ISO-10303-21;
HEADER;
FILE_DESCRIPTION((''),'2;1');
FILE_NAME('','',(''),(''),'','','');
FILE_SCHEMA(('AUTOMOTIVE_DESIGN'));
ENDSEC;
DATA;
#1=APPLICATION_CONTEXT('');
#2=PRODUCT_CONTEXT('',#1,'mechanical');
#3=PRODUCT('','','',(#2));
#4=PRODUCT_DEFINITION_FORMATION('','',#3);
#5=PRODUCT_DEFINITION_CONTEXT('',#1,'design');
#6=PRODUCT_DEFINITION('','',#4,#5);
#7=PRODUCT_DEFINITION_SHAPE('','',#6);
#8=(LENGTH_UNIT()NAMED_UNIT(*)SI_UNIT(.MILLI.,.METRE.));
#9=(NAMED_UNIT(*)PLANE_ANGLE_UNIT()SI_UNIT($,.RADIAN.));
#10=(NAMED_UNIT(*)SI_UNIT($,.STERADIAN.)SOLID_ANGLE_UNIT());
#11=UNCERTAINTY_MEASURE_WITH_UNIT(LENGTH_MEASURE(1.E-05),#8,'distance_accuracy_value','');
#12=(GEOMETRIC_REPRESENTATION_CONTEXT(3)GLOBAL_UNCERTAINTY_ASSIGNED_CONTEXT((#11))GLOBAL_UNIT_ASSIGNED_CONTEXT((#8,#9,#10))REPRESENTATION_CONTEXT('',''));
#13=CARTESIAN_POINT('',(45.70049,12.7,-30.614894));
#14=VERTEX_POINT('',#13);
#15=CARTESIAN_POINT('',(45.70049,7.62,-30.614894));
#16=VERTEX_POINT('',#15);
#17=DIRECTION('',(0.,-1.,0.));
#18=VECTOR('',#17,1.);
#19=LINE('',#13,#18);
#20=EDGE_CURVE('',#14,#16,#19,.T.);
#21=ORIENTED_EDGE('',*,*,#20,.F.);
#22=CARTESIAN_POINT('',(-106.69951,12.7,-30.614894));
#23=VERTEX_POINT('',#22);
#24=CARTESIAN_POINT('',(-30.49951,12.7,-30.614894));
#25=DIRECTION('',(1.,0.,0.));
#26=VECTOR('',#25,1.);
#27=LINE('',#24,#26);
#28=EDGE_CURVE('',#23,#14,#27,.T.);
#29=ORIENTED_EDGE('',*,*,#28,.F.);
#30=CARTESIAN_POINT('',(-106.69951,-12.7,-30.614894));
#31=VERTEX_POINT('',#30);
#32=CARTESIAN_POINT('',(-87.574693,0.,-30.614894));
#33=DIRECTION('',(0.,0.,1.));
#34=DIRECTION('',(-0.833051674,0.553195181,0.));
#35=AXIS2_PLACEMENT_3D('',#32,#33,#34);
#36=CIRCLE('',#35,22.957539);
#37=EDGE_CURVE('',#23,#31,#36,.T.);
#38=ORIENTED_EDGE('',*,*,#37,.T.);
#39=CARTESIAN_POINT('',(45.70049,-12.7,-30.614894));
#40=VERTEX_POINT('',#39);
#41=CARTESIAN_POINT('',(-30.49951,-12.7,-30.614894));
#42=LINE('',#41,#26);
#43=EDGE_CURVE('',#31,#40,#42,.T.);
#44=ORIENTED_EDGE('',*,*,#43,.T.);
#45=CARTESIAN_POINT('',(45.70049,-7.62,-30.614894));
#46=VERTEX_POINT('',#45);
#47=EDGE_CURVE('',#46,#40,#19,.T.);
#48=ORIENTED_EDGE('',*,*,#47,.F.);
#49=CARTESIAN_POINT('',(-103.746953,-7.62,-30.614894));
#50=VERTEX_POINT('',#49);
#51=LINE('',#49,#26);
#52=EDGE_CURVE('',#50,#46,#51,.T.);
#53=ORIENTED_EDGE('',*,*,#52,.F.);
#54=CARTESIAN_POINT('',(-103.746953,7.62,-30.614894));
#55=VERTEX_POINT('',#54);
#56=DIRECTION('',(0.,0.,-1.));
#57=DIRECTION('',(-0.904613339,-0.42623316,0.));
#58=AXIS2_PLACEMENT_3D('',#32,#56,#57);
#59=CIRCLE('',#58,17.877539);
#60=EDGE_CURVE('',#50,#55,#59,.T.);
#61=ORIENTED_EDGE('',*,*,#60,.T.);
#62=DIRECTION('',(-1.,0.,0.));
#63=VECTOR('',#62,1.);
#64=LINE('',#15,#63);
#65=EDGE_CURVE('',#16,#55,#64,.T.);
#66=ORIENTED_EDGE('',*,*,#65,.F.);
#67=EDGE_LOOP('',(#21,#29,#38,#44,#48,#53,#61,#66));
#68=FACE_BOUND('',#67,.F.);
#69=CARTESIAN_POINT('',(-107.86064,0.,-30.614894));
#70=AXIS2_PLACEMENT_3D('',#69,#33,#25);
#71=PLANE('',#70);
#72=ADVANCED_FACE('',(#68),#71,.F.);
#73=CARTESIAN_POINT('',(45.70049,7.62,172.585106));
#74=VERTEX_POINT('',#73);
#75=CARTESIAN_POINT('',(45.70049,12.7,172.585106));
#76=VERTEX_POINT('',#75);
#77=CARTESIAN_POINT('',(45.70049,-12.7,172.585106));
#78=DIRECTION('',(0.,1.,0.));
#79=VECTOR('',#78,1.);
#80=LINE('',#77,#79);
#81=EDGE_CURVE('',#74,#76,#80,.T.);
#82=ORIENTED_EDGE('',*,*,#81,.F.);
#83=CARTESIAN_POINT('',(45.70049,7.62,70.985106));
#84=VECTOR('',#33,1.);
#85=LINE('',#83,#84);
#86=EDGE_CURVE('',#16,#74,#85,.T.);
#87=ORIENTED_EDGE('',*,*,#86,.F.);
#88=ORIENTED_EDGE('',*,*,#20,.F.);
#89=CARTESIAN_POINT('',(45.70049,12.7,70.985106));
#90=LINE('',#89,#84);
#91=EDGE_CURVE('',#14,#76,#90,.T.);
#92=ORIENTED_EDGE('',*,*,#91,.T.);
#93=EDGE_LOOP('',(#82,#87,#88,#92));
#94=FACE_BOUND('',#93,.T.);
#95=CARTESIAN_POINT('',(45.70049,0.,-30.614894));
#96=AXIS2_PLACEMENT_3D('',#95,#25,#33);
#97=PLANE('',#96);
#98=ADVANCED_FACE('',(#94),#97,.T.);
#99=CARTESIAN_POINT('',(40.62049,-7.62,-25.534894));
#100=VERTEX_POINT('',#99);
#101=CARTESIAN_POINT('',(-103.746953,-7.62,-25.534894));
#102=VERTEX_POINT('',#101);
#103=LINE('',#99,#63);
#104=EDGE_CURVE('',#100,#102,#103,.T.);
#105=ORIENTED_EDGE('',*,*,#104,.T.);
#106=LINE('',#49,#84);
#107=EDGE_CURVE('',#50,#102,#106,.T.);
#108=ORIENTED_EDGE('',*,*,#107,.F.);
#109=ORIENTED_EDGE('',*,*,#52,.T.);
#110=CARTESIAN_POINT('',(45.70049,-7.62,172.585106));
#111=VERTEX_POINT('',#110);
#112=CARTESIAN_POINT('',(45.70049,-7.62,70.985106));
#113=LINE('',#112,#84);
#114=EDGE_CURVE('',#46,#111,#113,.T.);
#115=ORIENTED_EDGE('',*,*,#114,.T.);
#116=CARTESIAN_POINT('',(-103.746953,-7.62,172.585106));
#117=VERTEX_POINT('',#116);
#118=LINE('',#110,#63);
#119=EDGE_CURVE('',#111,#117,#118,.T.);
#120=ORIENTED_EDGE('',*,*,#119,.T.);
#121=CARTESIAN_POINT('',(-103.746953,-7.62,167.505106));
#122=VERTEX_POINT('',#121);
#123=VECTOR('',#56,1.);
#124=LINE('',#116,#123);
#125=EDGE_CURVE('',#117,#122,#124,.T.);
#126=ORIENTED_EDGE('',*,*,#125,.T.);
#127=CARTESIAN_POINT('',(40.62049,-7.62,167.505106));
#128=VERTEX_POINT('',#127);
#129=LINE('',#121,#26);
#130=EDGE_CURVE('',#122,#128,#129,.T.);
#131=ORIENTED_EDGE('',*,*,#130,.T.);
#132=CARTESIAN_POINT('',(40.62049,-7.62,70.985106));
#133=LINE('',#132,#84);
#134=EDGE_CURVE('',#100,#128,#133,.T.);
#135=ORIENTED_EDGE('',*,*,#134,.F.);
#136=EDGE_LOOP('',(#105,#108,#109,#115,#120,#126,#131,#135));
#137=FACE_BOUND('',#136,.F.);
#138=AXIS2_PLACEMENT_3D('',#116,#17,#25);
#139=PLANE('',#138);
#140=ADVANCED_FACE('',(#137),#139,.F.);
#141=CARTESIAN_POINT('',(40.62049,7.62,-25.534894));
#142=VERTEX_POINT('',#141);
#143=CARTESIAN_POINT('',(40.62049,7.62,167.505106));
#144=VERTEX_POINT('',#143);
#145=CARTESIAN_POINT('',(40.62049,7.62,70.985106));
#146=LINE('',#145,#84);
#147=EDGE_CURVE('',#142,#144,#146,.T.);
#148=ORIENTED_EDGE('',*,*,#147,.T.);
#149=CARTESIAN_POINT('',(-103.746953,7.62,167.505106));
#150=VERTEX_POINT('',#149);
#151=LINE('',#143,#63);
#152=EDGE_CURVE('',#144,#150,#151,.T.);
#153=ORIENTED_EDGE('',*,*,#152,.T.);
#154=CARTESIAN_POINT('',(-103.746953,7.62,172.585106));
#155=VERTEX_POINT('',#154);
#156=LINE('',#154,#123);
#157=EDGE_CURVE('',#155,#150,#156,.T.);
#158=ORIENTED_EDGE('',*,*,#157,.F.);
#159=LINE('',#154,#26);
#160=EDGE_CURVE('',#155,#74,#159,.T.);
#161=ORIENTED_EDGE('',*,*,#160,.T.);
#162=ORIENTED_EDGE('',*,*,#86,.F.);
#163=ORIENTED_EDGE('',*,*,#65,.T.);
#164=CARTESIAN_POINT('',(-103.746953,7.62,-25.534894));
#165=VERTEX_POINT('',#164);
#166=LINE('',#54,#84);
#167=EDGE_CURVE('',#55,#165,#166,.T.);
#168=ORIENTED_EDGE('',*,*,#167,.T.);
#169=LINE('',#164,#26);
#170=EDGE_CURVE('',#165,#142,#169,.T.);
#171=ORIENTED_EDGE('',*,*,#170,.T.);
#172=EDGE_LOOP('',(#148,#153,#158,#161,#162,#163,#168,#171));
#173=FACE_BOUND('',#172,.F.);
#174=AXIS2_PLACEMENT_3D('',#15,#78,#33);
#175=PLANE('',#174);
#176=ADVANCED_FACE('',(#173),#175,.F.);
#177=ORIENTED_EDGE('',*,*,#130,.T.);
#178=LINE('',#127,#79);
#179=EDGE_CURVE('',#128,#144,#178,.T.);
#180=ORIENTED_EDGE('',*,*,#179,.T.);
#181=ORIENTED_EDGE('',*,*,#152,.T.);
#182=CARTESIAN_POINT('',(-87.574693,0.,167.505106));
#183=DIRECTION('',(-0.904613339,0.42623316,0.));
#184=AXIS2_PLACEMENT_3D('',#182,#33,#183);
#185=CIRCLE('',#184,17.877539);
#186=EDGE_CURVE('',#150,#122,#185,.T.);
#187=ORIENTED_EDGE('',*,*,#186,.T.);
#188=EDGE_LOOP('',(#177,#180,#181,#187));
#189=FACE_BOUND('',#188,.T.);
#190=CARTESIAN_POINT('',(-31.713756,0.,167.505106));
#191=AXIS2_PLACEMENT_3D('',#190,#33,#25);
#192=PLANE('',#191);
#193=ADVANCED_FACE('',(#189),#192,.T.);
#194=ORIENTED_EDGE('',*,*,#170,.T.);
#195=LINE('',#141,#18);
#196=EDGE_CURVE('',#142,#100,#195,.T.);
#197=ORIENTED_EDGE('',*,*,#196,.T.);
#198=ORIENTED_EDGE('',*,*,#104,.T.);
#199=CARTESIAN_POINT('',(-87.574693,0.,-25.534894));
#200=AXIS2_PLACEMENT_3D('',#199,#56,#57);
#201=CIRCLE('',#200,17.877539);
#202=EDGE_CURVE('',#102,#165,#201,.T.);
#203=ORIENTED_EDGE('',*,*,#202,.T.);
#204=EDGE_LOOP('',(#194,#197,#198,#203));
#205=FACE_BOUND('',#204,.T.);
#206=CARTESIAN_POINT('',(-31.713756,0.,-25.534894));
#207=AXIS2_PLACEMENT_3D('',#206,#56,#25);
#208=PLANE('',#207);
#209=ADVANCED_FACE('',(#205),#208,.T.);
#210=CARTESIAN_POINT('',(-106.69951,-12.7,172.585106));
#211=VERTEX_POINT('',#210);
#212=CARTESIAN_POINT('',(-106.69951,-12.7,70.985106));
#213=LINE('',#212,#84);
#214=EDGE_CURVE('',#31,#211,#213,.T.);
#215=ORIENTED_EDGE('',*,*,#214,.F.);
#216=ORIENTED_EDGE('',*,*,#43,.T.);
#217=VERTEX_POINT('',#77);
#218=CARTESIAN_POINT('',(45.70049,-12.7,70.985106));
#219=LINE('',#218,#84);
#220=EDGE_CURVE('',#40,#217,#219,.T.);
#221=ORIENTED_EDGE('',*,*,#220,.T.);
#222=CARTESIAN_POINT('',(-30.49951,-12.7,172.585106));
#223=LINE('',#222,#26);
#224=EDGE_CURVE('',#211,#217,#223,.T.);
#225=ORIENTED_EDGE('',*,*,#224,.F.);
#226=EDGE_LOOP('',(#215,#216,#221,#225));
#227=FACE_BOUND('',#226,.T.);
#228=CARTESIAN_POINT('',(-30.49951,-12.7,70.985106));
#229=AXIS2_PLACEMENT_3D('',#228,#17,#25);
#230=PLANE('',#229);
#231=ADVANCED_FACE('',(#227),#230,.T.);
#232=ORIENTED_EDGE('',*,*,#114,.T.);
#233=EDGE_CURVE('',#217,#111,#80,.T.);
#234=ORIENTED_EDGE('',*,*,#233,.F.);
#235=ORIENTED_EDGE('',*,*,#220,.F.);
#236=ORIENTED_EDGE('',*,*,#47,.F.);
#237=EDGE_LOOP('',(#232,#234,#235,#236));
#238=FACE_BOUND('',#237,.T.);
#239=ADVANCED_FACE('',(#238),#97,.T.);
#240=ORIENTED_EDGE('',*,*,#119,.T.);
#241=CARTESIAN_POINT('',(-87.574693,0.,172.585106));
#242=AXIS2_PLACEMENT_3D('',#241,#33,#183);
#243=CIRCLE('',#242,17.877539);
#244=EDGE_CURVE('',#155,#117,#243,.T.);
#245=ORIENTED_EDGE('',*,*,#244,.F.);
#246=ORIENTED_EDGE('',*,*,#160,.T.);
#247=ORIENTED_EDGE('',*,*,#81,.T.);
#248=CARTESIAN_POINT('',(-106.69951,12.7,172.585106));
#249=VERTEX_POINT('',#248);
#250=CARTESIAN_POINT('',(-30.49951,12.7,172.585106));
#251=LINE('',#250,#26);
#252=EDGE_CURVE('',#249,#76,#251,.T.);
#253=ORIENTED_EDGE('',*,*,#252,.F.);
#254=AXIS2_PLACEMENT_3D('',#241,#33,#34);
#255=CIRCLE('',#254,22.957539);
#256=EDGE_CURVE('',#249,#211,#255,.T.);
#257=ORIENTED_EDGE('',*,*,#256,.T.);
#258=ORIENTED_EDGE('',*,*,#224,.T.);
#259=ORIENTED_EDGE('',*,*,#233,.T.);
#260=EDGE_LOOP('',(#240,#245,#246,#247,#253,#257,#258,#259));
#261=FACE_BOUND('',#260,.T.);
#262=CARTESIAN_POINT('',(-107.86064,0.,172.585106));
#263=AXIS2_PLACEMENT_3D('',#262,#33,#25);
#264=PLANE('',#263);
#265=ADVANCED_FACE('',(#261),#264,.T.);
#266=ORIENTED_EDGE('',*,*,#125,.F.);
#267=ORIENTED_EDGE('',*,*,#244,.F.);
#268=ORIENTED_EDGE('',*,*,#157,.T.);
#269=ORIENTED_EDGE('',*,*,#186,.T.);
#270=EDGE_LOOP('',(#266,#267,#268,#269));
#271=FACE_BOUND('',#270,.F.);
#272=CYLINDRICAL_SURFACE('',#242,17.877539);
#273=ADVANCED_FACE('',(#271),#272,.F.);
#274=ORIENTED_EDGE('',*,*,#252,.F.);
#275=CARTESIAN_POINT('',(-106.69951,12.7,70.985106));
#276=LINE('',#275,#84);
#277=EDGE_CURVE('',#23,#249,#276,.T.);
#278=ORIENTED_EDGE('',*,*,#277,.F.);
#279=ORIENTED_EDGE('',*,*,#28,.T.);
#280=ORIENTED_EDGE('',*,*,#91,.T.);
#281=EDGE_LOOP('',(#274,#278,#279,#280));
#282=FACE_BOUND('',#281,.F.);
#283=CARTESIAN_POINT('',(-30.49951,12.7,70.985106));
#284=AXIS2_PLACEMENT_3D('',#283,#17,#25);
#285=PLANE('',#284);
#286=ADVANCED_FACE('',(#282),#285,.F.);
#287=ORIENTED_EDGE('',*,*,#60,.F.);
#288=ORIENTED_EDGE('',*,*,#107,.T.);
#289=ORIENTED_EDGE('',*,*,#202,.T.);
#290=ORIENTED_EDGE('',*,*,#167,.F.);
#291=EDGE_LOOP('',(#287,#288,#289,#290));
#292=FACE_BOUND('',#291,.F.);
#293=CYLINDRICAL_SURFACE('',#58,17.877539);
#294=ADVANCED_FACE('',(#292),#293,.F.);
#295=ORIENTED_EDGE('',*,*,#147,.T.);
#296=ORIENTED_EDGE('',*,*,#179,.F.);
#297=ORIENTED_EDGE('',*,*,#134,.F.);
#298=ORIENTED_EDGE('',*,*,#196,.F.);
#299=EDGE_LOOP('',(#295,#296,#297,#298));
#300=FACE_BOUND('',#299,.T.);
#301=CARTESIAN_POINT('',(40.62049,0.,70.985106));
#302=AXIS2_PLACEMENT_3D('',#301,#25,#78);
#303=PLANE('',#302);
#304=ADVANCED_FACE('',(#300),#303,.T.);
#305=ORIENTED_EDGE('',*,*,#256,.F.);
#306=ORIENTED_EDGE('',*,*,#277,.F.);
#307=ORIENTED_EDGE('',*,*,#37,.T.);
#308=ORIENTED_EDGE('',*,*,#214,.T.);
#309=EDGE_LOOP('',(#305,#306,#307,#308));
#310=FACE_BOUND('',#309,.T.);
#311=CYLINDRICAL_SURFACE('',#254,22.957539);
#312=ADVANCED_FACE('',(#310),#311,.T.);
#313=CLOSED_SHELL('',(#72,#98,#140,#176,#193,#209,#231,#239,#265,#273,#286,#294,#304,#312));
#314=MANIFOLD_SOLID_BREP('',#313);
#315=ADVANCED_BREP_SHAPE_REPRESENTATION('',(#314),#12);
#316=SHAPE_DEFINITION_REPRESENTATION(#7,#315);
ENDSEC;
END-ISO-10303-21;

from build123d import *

# Parameters (mm, degrees)
F0_W     = 152.4
F0_H     = 203.2
F1_DEPTH = 12.7
F2_W     = 15.24
F2_H     = 203.2
F3_DEPTH = 5.08
F5_DEPTH = 203.2
F7_DEPTH = 5.08
F9_DEPTH = 5.08


with BuildPart() as f1:
    # F0 (on Front) → F1 (new body, symmetric)
    with BuildSketch(Plane.XZ):
        with Locations((-30.4995095253, 70.9851061165)):
            Rectangle(F0_W, F0_H)
    extrude(amount=F1_DEPTH, both=True)

    # F2 (on face) → F3 (cut)
    with BuildSketch(Plane.YZ.offset(45.7004904747)):
        with Locations((0, 70.9851061165)):
            Rectangle(F2_W, F2_H)
    extrude(amount=-F3_DEPTH, mode=Mode.SUBTRACT)

    # F4 (on face) → F5 (join)
    with BuildSketch(Plane.XY.offset(172.5851061165)):
        with BuildLine():
            Line((-106.6995095253, -12.7), (-106.6995095253, 12.7))
            ThreePointArc((-106.6995095253, 12.7), (-110.5322322417, 0), (-106.6995095253, -12.7))
        make_face()
    extrude(amount=-F5_DEPTH)

    # F6 (on face) → F7 (cut)
    with BuildSketch(Plane.XY.offset(172.5851061165)):
        with BuildLine():
            Line((40.6204904747, 7.62), (-103.746953477, 7.62))
            ThreePointArc((-103.746953477, 7.62), (-105.4522322417, 0), (-103.746953477, -7.62))
            Line((-103.746953477, -7.62), (40.6204904747, -7.62))
            Line((40.6204904747, -7.62), (40.6204904747, 7.62))
        make_face()
    extrude(amount=-F7_DEPTH, mode=Mode.SUBTRACT)

    # F8 (on face) → F9 (cut)
    with BuildSketch(Plane(origin=(0, 0, -30.6148938835), x_dir=(1, 0, 0), z_dir=(0, 0, -1))):
        with BuildLine():
            ThreePointArc((-103.746953477, 7.62), (-105.4522322417, 0), (-103.746953477, -7.62))
            Line((-103.746953477, -7.62), (40.6204904747, -7.62))
            Line((40.6204904747, -7.62), (40.6204904747, 7.62))
            Line((40.6204904747, 7.62), (-103.746953477, 7.62))
        make_face()
    extrude(amount=-F9_DEPTH, mode=Mode.SUBTRACT)


solid = f1.part
